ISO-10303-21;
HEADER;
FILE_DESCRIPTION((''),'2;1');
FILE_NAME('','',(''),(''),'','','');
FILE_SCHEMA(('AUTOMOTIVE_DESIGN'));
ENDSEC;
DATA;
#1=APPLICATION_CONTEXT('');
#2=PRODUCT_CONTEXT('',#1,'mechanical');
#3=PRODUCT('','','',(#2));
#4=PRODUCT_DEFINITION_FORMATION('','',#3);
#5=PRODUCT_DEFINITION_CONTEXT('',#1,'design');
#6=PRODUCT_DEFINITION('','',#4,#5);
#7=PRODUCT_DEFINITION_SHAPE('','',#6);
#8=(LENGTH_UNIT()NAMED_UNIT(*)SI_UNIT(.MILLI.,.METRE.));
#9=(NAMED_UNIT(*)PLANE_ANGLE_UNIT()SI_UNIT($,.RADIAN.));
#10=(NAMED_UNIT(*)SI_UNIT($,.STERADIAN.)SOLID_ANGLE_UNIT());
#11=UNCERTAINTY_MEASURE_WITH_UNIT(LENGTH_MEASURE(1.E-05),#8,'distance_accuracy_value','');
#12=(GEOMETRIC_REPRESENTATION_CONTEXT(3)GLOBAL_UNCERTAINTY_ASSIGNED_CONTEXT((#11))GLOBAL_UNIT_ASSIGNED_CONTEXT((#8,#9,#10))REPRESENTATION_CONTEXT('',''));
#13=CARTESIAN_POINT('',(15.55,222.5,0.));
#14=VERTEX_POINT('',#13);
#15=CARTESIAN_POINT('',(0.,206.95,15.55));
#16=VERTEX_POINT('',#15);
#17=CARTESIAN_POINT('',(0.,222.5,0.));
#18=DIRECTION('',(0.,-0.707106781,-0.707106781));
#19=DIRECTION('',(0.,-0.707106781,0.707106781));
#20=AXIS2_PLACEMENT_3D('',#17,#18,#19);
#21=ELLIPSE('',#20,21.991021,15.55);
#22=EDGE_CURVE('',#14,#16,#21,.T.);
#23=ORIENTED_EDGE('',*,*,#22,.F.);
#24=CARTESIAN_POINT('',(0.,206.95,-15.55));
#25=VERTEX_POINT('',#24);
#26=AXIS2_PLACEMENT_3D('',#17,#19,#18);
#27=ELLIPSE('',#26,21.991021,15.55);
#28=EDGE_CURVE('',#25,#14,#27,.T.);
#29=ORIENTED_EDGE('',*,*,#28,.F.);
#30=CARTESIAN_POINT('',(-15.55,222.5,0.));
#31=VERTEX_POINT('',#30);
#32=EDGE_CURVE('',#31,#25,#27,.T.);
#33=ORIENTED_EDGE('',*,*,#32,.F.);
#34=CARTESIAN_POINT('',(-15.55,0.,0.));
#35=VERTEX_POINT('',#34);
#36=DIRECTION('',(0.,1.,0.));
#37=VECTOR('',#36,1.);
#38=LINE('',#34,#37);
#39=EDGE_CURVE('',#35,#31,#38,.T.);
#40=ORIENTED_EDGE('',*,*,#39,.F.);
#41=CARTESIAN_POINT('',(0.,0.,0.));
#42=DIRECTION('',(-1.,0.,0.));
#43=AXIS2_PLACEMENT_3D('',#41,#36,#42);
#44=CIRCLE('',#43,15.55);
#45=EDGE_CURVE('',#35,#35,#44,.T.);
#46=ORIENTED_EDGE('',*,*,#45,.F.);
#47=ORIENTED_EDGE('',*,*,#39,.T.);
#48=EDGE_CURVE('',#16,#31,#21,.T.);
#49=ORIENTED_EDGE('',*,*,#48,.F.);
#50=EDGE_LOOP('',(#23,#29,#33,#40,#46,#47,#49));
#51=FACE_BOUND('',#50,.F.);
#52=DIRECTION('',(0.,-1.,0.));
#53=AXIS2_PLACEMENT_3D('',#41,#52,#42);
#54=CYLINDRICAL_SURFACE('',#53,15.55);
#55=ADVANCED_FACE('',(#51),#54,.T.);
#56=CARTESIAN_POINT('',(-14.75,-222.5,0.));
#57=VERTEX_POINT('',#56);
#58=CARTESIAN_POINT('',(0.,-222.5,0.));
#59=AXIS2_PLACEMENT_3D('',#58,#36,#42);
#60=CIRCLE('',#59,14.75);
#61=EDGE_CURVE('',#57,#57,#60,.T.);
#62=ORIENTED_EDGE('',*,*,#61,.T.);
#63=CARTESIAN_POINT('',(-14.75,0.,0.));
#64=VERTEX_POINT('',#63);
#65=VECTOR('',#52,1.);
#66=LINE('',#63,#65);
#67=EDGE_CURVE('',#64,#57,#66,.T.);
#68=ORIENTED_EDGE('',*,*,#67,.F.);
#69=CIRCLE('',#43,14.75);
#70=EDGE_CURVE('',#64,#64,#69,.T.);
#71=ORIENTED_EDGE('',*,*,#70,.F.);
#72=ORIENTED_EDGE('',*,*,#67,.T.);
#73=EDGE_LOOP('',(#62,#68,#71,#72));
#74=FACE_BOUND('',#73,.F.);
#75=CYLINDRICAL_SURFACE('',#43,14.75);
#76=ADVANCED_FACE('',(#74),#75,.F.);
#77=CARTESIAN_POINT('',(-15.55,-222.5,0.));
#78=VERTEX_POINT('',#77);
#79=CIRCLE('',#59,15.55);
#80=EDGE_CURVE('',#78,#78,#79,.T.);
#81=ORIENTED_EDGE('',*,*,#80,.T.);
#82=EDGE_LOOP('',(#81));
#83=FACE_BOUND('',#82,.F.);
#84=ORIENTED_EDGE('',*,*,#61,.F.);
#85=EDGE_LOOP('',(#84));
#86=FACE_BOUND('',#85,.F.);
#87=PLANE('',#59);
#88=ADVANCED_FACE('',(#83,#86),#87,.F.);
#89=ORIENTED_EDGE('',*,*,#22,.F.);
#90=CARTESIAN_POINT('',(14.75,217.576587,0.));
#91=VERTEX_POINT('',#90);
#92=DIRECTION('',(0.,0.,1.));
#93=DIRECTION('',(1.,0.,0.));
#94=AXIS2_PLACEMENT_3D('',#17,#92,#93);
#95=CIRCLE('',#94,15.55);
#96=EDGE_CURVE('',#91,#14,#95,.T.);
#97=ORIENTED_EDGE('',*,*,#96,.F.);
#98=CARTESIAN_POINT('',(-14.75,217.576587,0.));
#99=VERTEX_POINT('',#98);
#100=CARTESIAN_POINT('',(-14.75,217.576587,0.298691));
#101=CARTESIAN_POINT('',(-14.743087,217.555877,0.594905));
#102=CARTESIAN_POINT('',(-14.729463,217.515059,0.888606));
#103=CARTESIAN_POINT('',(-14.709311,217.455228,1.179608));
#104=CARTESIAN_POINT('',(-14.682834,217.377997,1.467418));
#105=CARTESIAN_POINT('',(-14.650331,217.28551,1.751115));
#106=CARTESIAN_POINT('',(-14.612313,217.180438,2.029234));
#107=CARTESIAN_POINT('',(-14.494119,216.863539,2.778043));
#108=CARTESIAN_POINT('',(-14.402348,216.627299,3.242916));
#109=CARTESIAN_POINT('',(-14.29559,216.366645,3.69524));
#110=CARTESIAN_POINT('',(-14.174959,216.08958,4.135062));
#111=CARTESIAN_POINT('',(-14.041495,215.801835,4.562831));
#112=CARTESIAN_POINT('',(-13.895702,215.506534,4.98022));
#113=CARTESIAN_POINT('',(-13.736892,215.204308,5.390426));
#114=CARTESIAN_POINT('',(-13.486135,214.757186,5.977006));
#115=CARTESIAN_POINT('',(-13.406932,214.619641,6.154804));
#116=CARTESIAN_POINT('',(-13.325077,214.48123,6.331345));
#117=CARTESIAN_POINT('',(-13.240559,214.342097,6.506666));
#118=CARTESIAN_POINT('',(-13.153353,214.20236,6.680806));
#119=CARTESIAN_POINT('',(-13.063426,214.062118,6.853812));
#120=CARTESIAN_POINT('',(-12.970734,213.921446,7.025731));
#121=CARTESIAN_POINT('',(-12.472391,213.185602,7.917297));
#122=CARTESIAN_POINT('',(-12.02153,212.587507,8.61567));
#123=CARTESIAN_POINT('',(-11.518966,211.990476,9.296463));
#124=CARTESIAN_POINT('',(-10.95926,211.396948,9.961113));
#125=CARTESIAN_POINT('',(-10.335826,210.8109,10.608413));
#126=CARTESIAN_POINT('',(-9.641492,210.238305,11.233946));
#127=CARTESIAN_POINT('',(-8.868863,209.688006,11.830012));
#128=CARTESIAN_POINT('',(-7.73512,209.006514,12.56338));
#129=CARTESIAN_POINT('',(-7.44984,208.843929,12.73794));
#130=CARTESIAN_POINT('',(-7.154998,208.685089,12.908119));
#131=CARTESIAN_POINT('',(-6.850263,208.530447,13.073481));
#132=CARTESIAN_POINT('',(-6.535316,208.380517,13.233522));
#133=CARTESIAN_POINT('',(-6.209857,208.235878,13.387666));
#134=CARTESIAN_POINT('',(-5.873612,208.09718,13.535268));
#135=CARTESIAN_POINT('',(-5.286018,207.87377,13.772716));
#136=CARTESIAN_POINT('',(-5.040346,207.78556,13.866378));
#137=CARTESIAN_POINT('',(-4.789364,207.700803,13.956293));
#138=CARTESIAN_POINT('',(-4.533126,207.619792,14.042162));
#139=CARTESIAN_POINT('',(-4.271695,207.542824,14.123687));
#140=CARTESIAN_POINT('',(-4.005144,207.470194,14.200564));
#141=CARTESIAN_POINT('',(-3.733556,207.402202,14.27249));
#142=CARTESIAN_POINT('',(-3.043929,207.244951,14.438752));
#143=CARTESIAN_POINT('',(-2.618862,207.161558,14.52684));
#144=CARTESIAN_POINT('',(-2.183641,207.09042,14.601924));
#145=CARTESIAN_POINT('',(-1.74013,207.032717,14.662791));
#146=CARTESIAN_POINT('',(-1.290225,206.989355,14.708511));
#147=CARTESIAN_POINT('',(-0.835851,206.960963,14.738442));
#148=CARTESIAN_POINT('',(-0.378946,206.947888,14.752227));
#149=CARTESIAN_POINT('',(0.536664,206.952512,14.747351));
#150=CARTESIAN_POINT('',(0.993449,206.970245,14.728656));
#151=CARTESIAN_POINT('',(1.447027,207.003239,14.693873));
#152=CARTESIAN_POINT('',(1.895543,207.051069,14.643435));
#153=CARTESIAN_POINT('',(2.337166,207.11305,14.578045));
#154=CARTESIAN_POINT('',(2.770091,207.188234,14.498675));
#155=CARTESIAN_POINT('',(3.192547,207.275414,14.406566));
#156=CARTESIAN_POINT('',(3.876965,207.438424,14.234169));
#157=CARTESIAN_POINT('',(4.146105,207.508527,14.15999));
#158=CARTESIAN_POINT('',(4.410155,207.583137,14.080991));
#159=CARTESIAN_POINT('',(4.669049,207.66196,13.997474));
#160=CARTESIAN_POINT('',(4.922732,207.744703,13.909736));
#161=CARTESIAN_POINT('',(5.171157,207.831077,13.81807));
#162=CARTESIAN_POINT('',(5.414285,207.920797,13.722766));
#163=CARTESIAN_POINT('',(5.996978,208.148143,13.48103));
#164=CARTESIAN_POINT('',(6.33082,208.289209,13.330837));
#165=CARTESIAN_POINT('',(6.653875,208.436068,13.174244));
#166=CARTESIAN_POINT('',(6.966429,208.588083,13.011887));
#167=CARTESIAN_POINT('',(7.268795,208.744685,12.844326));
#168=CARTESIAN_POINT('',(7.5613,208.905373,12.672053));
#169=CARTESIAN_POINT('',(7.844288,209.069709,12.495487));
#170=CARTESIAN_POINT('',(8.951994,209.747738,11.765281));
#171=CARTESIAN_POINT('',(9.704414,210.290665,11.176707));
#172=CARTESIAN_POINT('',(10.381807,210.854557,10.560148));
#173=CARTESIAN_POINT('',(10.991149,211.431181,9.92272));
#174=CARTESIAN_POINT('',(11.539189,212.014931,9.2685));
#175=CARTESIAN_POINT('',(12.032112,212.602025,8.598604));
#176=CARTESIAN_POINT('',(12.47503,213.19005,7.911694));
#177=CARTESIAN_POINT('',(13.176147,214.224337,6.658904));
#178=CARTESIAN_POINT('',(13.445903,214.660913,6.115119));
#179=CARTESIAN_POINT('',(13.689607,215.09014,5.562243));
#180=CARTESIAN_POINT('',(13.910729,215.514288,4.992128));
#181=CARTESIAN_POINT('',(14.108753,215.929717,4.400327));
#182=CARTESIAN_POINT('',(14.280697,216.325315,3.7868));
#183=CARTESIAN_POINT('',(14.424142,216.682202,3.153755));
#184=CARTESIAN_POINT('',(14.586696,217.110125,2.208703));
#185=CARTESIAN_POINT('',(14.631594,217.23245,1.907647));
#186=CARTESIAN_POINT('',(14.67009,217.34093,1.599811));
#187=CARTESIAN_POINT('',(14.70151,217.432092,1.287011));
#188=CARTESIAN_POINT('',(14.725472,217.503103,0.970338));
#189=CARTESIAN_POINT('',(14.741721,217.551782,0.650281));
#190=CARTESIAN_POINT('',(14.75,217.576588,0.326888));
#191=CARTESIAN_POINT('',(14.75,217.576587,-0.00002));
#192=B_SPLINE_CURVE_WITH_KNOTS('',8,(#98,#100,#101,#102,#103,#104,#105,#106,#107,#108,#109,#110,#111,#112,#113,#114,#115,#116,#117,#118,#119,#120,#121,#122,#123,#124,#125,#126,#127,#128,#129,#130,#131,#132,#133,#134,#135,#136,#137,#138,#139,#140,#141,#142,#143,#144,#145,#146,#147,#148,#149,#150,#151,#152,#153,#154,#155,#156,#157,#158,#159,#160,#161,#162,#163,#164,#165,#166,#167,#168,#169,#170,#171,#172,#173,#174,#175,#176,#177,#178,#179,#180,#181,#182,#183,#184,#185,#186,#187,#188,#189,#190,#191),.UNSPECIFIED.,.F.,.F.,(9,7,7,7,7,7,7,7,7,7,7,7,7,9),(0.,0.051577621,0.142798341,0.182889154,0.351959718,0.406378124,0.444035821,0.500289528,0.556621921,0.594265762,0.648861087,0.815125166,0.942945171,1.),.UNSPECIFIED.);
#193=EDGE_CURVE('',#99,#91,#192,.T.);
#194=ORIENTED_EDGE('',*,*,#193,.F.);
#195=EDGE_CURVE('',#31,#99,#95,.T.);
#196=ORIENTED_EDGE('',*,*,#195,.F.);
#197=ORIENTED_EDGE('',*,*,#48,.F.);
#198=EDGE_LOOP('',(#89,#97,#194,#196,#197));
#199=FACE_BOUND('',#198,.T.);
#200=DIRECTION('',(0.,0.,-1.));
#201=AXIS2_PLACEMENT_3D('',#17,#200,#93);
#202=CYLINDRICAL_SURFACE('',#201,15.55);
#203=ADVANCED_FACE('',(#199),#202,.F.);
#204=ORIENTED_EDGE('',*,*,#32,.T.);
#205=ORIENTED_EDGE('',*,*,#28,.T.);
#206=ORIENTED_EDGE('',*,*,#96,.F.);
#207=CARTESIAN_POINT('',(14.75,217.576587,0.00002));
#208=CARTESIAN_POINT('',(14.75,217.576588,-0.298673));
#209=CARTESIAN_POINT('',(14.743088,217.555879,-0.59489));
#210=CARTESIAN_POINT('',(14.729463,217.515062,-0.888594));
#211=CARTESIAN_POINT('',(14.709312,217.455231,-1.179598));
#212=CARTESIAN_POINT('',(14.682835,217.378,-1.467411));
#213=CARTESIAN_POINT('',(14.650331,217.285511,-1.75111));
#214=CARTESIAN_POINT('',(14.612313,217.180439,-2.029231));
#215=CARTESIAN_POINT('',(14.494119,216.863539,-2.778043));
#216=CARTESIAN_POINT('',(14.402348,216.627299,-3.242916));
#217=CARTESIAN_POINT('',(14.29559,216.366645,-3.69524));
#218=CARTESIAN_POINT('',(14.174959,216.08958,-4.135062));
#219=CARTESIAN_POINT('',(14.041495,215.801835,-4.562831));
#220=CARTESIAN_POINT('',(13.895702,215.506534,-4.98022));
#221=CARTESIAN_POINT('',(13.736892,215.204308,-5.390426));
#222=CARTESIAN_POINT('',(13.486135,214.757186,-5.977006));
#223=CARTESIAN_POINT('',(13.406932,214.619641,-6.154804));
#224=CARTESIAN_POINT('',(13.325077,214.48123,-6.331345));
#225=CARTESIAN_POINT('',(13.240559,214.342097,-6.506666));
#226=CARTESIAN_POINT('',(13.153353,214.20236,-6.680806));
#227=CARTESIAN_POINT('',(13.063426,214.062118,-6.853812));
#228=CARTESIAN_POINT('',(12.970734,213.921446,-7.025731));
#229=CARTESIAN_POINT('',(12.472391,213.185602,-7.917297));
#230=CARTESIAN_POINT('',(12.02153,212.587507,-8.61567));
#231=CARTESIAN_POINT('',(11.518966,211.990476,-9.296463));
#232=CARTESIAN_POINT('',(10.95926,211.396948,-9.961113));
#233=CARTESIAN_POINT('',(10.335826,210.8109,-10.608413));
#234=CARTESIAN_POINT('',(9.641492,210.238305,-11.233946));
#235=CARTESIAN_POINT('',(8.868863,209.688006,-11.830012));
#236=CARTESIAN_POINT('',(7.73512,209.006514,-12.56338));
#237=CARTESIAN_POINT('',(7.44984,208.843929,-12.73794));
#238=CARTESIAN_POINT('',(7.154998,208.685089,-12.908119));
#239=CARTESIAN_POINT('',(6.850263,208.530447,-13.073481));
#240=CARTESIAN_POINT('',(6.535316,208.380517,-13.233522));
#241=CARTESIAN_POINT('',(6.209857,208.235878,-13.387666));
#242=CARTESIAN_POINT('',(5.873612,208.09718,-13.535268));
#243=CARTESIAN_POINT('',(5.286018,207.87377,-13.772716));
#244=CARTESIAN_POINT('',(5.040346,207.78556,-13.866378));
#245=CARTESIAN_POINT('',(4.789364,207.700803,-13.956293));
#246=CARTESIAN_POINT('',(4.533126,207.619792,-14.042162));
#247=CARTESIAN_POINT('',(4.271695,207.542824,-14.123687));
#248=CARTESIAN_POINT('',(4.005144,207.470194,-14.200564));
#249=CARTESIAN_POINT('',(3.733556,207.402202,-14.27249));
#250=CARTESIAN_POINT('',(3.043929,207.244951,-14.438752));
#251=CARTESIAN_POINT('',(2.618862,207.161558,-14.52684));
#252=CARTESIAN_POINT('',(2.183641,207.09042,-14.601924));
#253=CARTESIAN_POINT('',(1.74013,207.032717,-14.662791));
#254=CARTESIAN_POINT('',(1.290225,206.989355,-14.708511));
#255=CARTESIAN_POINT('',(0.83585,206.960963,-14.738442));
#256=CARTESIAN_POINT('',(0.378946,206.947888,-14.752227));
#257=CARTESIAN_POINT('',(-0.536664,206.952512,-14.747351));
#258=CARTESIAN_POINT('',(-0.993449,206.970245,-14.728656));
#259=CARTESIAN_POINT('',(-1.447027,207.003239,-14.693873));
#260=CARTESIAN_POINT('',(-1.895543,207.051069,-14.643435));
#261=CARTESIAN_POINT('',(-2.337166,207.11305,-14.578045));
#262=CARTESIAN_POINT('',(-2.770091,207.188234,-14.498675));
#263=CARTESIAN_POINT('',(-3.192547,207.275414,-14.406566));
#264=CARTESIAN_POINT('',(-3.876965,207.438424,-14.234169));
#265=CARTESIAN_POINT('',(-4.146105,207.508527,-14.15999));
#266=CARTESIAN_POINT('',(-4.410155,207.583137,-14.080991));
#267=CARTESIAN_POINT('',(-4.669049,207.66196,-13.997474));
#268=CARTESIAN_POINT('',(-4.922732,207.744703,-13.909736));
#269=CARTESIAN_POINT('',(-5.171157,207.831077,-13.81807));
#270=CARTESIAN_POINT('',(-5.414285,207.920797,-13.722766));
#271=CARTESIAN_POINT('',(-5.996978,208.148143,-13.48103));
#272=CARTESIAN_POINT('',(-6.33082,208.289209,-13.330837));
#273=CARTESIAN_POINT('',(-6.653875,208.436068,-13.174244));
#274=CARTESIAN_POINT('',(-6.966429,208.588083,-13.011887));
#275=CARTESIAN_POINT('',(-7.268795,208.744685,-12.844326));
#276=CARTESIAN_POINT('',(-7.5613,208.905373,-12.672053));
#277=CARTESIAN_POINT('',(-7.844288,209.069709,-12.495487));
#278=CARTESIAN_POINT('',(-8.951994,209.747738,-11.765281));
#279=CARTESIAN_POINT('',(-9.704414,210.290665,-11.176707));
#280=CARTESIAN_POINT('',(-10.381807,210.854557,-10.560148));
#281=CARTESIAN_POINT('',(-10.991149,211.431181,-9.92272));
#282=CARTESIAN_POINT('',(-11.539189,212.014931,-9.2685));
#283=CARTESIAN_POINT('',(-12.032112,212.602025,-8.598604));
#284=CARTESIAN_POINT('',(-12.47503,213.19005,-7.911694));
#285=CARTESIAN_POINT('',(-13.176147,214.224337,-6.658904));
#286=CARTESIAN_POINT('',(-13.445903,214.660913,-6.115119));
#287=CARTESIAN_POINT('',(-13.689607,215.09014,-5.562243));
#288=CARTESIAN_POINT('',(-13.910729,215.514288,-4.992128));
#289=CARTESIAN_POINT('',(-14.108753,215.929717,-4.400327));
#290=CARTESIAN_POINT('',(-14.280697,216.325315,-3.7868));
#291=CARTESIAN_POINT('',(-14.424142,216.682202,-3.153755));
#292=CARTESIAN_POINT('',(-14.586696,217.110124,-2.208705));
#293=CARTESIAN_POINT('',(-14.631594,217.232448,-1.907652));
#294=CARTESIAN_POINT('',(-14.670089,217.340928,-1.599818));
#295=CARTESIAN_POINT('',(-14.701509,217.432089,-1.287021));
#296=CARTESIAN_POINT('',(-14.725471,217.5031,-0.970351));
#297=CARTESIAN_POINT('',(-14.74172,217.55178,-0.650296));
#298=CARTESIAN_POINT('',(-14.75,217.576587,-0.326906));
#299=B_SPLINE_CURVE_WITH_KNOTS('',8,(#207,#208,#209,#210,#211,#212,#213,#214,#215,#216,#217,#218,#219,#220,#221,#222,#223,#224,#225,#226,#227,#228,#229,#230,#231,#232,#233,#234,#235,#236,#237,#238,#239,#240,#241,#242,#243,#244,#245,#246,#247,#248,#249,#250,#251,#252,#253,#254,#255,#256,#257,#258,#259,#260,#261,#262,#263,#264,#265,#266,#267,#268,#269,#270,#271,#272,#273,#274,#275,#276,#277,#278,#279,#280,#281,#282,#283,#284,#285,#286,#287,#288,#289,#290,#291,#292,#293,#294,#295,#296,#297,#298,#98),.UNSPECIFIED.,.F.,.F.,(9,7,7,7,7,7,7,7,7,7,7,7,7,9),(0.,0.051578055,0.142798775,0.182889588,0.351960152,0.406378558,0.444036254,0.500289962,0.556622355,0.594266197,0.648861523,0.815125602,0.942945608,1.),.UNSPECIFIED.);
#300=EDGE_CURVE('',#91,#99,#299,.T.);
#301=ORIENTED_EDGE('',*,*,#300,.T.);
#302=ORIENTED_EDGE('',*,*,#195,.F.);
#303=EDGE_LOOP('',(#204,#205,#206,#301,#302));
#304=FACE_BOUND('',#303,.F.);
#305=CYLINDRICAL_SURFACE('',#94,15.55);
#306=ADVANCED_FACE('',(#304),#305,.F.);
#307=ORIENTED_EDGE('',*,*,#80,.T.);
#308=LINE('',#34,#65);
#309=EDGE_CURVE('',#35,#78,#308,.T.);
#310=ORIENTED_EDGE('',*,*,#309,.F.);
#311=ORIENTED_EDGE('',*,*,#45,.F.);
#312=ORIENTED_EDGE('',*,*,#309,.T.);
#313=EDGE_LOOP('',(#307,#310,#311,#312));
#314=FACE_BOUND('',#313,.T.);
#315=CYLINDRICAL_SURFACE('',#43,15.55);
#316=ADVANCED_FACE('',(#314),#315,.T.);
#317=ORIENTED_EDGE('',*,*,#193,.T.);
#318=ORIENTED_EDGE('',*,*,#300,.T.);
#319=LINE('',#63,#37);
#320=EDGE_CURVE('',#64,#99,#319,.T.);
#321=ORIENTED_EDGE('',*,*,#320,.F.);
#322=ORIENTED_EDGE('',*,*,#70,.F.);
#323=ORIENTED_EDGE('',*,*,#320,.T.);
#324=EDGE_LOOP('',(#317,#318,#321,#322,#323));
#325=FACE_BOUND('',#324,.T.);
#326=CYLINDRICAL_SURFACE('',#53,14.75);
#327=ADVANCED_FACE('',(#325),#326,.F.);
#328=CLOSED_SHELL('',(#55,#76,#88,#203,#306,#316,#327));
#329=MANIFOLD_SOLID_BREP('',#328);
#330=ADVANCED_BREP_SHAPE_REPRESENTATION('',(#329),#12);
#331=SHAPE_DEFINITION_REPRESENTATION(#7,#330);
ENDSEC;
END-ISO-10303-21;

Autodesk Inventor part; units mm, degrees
ref_plane "YZ Plane" through (0, 0, 0) normal (1, 0, 0) x (0, 1, 0)
ref_plane "XZ Plane" through (0, 0, 0) normal (0, 1, 0) x (-1, 0, 0)
ref_plane "XY Plane" through (0, 0, 0) normal (0, 0, 1) x (1, 0, 0)
sketch "Sketch1" plane through (0, 0, 0) normal (0, 1, 0) x (-1, 0, 0)
  circle A0 centre (0, 0) radius 15.55
  circle A1 centre (0, 0) radius 14.75
  dimension "d0" = 31.1
  dimension "d1" = 29.5
extrude "Extrusion1" add sketch "Sketch1" along normal mid plane 445
sketch "Sketch5" plane through (0, 0, 0) normal (0, 0, 1) x (1, 0, 0)
  circle A0 centre (0, 222.5) radius 15.55 projected
  point P0 (0, 0)
extrude "Extrusion5" cut sketch "Sketch5" along normal mid plane 31.1
properties part number "tubo4-D34.94" material "Acero, carbono"
